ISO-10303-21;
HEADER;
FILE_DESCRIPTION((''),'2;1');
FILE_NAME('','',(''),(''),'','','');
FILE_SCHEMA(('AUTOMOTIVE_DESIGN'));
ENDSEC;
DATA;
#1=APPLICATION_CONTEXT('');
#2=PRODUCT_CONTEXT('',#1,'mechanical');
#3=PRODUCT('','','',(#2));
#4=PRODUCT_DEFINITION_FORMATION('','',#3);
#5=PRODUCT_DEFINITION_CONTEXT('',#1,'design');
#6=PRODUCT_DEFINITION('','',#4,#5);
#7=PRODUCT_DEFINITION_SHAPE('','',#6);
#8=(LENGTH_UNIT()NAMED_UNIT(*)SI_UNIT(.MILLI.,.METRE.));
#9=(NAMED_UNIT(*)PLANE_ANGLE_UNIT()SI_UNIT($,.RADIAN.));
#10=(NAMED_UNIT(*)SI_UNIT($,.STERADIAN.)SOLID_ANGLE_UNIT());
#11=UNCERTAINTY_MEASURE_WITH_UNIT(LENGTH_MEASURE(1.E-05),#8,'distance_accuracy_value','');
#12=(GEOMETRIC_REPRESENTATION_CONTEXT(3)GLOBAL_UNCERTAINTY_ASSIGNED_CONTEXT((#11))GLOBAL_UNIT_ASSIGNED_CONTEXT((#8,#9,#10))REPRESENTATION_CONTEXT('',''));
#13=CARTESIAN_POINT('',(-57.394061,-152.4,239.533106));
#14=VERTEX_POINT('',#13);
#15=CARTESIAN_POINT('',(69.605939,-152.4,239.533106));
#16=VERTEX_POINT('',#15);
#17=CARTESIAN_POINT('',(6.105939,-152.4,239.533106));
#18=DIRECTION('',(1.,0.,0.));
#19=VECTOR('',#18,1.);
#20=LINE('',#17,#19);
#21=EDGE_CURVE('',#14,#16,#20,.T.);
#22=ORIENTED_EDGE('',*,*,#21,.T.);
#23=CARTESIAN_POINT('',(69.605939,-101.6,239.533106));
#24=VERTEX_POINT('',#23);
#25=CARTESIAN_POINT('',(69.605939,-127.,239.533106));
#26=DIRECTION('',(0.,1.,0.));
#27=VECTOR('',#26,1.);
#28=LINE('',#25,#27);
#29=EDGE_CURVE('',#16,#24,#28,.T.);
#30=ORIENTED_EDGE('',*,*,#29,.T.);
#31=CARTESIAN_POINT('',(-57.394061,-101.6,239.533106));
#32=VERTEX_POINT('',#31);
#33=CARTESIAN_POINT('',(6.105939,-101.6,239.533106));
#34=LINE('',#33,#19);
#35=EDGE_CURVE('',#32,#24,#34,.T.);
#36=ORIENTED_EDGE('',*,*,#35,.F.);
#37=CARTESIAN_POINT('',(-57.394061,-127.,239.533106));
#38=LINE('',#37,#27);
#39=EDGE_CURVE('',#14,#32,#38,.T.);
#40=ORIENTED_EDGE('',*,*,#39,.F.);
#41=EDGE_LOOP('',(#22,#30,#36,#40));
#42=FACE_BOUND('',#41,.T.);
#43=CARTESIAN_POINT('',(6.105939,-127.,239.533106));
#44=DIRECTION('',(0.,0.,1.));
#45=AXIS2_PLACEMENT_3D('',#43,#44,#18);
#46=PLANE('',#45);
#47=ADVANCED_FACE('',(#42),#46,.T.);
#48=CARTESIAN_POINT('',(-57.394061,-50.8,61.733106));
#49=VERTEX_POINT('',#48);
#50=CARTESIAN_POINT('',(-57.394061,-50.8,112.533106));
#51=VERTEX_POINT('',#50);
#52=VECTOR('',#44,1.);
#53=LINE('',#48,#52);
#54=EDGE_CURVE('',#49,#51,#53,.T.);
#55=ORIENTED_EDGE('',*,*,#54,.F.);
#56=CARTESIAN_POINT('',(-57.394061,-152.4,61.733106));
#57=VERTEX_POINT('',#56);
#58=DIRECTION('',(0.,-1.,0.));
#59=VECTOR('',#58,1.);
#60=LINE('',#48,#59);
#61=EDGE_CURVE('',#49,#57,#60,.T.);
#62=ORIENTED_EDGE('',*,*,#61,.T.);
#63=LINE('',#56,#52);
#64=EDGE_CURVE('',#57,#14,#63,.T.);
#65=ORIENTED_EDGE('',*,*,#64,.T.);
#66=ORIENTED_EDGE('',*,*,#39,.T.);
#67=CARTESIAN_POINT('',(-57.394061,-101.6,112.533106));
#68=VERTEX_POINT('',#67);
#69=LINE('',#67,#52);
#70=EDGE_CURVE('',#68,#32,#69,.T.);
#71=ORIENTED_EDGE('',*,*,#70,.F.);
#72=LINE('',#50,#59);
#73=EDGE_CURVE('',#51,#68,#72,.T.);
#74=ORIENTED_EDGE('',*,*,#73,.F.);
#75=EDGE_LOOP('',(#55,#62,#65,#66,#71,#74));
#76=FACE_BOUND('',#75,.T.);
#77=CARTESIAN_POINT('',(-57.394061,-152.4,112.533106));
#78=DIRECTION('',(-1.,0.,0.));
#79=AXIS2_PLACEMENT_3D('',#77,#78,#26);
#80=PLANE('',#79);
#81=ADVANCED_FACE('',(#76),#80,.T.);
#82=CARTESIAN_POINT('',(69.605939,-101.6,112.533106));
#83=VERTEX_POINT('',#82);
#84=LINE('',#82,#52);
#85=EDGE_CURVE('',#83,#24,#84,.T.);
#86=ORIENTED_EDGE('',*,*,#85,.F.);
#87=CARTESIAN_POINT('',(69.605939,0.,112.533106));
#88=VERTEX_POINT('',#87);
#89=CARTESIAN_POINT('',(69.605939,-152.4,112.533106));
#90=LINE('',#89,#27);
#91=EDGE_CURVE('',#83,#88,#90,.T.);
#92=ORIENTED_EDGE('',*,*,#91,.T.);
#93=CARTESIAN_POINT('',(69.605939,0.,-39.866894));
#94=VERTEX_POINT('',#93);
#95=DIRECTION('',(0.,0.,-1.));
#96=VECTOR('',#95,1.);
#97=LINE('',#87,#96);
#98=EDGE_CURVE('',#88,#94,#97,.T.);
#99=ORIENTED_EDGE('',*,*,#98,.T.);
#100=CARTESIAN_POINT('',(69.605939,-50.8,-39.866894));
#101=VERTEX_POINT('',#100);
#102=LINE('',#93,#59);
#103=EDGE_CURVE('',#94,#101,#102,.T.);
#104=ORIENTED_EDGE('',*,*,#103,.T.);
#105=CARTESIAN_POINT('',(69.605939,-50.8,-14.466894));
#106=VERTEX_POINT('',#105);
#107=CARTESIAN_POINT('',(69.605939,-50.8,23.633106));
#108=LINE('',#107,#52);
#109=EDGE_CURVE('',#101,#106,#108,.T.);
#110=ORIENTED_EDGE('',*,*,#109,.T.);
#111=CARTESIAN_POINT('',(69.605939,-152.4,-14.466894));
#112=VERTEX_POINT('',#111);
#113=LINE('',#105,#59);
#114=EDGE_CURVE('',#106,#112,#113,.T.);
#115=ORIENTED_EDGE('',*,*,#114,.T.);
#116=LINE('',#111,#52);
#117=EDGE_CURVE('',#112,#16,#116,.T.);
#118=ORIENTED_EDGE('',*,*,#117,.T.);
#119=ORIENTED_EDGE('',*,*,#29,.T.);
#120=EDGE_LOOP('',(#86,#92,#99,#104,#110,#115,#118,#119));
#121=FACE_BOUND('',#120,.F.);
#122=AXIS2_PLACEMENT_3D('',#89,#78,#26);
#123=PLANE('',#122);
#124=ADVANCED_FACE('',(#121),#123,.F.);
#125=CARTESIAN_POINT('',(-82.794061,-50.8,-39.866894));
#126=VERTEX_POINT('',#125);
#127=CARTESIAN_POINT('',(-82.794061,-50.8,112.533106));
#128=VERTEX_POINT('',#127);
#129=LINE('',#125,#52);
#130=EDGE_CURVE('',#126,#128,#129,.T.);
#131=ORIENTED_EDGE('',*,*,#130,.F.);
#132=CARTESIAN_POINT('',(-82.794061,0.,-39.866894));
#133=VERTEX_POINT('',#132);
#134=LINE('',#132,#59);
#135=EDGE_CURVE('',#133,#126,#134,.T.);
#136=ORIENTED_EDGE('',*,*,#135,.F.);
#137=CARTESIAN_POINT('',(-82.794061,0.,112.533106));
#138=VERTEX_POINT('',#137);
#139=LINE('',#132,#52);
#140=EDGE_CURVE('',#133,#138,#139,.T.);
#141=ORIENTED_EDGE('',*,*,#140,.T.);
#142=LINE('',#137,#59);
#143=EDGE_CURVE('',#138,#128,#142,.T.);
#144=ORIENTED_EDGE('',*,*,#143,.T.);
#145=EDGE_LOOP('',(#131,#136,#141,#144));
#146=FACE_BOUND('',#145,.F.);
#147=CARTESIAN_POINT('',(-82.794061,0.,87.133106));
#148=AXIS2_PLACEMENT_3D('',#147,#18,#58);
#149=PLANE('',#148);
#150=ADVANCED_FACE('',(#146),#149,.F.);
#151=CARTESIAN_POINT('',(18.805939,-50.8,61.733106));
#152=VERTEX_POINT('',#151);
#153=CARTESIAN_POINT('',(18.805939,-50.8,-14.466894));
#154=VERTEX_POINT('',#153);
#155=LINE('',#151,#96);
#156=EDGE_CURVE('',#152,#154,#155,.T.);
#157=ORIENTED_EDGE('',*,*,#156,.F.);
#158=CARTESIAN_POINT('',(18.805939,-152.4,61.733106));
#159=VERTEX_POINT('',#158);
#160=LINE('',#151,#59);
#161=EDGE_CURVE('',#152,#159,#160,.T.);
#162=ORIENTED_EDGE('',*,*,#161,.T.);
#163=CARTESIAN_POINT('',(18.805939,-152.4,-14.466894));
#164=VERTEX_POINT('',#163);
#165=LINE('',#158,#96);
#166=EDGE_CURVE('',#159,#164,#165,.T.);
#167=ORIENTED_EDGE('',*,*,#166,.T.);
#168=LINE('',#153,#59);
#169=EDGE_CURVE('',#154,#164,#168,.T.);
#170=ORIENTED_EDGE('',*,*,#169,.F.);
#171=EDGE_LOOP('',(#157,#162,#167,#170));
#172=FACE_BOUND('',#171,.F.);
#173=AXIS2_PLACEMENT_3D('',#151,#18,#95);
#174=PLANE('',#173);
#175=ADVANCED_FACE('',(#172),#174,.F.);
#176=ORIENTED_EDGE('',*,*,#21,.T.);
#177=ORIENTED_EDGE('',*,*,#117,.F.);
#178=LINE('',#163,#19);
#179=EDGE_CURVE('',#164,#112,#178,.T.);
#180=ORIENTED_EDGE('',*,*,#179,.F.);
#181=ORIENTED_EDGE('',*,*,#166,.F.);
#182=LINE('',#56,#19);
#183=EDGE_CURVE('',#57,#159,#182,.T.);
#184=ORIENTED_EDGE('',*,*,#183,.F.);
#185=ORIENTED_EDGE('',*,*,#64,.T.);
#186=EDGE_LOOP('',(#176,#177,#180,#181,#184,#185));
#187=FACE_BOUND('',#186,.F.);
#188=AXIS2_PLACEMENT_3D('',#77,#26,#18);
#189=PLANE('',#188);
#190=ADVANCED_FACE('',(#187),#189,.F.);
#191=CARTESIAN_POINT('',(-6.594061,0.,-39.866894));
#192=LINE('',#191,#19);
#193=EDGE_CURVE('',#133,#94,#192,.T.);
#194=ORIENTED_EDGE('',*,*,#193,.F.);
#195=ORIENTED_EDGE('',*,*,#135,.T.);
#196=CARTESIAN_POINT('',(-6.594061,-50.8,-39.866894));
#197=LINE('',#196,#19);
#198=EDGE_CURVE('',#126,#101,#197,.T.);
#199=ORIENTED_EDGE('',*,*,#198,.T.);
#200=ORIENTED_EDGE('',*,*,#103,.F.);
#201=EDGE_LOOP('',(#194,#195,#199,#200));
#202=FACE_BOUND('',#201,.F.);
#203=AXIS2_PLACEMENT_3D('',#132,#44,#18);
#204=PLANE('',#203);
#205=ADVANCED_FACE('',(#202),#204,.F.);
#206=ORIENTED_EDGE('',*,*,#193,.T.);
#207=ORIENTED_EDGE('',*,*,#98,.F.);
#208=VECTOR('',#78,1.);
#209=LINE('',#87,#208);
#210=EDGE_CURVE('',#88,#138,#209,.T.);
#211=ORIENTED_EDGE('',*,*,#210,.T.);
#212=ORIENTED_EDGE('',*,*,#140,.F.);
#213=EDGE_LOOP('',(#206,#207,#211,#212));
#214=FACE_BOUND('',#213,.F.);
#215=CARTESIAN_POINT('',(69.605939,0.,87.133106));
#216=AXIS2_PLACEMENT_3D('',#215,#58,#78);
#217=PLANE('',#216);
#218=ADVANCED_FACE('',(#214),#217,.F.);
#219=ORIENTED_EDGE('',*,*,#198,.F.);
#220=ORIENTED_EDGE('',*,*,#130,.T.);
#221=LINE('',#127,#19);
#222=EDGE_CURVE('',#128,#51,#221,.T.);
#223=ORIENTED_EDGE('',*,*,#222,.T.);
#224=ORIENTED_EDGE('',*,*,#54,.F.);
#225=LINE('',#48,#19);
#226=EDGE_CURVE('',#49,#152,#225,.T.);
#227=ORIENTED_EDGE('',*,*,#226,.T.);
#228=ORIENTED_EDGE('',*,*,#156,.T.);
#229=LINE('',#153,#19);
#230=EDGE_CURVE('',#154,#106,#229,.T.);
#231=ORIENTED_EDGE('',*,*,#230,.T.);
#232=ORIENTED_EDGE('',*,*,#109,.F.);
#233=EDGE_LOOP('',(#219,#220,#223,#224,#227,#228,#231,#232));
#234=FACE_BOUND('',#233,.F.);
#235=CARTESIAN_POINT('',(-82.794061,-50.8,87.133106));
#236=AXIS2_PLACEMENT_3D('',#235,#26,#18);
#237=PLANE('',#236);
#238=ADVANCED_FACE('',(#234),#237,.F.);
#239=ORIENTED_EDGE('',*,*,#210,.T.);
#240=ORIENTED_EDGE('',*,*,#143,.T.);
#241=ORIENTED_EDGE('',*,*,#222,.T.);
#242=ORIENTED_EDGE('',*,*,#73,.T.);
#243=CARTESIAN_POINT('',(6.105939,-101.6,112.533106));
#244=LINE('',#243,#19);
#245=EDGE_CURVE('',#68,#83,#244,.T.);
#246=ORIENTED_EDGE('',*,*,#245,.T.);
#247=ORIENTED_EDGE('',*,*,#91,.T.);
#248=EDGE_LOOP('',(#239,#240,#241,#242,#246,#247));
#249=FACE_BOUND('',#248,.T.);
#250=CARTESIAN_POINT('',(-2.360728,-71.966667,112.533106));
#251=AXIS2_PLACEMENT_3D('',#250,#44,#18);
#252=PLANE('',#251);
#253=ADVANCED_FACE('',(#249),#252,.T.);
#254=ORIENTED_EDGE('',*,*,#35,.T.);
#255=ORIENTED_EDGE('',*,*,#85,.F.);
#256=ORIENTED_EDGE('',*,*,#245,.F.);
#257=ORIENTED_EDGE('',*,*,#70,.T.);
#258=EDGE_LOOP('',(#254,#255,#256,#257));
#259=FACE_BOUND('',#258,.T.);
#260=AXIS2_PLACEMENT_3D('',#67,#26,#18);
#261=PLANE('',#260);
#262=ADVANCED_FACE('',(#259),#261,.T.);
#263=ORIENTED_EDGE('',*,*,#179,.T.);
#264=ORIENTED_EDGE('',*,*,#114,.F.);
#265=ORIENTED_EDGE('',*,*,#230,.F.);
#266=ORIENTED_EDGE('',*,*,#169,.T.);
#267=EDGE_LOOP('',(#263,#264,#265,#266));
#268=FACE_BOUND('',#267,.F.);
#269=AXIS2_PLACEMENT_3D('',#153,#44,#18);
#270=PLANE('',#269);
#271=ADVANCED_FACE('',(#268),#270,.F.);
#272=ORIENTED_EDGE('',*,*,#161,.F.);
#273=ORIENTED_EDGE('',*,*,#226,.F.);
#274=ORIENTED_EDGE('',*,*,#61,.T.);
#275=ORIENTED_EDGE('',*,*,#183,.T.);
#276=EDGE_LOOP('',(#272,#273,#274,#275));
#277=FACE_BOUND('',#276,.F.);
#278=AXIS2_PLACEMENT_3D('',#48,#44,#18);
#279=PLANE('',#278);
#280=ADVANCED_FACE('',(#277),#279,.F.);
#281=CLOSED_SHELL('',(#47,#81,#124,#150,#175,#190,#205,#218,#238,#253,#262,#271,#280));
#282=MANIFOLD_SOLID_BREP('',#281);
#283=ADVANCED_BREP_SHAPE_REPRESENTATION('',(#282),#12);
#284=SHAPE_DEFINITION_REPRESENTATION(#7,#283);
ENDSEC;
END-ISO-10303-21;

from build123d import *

# Parameters (mm, degrees)
F0_W     = 152.4
F0_H     = 127
F1_DEPTH = 50.8
F3_DEPTH = 101.6
F5_DEPTH = 25.4
F6_W     = 127
F6_H     = 50.8
F7_DEPTH = 127


with BuildPart() as f1:
    # F0 (on Front) → F1 (new body)
    with BuildSketch(Plane.XZ):
        with Locations((-6.594061, 23.633106)):
            Rectangle(F0_W, F0_H)
    extrude(amount=F1_DEPTH)

    # F2 (on face) → F3 (join)
    with BuildSketch(Plane.XZ.offset(50.8)):
        Polygon((18.805939, -14.466894), (69.605939, -14.466894), (69.605939, 87.133106), (-57.394061, 87.133106), (-57.394061, 61.733106), (18.805939, 61.733106), align=None)
    extrude(amount=F3_DEPTH)

    # F4 (on face) → F5 (join)
    with BuildSketch(Plane.XY.offset(87.133106)):
        Polygon((69.605939, 0), (-82.794061, 0), (-82.794061, -50.8), (-57.394061, -50.8), (-57.394061, -152.4), (69.605939, -152.4), align=None)
    extrude(amount=F5_DEPTH)

    # F6 (on face) → F7 (join)
    with BuildSketch(Plane.XY.offset(112.533106)):
        with Locations((6.105939, -127)):
            Rectangle(F6_W, F6_H)
    extrude(amount=F7_DEPTH)


solid = f1.part
